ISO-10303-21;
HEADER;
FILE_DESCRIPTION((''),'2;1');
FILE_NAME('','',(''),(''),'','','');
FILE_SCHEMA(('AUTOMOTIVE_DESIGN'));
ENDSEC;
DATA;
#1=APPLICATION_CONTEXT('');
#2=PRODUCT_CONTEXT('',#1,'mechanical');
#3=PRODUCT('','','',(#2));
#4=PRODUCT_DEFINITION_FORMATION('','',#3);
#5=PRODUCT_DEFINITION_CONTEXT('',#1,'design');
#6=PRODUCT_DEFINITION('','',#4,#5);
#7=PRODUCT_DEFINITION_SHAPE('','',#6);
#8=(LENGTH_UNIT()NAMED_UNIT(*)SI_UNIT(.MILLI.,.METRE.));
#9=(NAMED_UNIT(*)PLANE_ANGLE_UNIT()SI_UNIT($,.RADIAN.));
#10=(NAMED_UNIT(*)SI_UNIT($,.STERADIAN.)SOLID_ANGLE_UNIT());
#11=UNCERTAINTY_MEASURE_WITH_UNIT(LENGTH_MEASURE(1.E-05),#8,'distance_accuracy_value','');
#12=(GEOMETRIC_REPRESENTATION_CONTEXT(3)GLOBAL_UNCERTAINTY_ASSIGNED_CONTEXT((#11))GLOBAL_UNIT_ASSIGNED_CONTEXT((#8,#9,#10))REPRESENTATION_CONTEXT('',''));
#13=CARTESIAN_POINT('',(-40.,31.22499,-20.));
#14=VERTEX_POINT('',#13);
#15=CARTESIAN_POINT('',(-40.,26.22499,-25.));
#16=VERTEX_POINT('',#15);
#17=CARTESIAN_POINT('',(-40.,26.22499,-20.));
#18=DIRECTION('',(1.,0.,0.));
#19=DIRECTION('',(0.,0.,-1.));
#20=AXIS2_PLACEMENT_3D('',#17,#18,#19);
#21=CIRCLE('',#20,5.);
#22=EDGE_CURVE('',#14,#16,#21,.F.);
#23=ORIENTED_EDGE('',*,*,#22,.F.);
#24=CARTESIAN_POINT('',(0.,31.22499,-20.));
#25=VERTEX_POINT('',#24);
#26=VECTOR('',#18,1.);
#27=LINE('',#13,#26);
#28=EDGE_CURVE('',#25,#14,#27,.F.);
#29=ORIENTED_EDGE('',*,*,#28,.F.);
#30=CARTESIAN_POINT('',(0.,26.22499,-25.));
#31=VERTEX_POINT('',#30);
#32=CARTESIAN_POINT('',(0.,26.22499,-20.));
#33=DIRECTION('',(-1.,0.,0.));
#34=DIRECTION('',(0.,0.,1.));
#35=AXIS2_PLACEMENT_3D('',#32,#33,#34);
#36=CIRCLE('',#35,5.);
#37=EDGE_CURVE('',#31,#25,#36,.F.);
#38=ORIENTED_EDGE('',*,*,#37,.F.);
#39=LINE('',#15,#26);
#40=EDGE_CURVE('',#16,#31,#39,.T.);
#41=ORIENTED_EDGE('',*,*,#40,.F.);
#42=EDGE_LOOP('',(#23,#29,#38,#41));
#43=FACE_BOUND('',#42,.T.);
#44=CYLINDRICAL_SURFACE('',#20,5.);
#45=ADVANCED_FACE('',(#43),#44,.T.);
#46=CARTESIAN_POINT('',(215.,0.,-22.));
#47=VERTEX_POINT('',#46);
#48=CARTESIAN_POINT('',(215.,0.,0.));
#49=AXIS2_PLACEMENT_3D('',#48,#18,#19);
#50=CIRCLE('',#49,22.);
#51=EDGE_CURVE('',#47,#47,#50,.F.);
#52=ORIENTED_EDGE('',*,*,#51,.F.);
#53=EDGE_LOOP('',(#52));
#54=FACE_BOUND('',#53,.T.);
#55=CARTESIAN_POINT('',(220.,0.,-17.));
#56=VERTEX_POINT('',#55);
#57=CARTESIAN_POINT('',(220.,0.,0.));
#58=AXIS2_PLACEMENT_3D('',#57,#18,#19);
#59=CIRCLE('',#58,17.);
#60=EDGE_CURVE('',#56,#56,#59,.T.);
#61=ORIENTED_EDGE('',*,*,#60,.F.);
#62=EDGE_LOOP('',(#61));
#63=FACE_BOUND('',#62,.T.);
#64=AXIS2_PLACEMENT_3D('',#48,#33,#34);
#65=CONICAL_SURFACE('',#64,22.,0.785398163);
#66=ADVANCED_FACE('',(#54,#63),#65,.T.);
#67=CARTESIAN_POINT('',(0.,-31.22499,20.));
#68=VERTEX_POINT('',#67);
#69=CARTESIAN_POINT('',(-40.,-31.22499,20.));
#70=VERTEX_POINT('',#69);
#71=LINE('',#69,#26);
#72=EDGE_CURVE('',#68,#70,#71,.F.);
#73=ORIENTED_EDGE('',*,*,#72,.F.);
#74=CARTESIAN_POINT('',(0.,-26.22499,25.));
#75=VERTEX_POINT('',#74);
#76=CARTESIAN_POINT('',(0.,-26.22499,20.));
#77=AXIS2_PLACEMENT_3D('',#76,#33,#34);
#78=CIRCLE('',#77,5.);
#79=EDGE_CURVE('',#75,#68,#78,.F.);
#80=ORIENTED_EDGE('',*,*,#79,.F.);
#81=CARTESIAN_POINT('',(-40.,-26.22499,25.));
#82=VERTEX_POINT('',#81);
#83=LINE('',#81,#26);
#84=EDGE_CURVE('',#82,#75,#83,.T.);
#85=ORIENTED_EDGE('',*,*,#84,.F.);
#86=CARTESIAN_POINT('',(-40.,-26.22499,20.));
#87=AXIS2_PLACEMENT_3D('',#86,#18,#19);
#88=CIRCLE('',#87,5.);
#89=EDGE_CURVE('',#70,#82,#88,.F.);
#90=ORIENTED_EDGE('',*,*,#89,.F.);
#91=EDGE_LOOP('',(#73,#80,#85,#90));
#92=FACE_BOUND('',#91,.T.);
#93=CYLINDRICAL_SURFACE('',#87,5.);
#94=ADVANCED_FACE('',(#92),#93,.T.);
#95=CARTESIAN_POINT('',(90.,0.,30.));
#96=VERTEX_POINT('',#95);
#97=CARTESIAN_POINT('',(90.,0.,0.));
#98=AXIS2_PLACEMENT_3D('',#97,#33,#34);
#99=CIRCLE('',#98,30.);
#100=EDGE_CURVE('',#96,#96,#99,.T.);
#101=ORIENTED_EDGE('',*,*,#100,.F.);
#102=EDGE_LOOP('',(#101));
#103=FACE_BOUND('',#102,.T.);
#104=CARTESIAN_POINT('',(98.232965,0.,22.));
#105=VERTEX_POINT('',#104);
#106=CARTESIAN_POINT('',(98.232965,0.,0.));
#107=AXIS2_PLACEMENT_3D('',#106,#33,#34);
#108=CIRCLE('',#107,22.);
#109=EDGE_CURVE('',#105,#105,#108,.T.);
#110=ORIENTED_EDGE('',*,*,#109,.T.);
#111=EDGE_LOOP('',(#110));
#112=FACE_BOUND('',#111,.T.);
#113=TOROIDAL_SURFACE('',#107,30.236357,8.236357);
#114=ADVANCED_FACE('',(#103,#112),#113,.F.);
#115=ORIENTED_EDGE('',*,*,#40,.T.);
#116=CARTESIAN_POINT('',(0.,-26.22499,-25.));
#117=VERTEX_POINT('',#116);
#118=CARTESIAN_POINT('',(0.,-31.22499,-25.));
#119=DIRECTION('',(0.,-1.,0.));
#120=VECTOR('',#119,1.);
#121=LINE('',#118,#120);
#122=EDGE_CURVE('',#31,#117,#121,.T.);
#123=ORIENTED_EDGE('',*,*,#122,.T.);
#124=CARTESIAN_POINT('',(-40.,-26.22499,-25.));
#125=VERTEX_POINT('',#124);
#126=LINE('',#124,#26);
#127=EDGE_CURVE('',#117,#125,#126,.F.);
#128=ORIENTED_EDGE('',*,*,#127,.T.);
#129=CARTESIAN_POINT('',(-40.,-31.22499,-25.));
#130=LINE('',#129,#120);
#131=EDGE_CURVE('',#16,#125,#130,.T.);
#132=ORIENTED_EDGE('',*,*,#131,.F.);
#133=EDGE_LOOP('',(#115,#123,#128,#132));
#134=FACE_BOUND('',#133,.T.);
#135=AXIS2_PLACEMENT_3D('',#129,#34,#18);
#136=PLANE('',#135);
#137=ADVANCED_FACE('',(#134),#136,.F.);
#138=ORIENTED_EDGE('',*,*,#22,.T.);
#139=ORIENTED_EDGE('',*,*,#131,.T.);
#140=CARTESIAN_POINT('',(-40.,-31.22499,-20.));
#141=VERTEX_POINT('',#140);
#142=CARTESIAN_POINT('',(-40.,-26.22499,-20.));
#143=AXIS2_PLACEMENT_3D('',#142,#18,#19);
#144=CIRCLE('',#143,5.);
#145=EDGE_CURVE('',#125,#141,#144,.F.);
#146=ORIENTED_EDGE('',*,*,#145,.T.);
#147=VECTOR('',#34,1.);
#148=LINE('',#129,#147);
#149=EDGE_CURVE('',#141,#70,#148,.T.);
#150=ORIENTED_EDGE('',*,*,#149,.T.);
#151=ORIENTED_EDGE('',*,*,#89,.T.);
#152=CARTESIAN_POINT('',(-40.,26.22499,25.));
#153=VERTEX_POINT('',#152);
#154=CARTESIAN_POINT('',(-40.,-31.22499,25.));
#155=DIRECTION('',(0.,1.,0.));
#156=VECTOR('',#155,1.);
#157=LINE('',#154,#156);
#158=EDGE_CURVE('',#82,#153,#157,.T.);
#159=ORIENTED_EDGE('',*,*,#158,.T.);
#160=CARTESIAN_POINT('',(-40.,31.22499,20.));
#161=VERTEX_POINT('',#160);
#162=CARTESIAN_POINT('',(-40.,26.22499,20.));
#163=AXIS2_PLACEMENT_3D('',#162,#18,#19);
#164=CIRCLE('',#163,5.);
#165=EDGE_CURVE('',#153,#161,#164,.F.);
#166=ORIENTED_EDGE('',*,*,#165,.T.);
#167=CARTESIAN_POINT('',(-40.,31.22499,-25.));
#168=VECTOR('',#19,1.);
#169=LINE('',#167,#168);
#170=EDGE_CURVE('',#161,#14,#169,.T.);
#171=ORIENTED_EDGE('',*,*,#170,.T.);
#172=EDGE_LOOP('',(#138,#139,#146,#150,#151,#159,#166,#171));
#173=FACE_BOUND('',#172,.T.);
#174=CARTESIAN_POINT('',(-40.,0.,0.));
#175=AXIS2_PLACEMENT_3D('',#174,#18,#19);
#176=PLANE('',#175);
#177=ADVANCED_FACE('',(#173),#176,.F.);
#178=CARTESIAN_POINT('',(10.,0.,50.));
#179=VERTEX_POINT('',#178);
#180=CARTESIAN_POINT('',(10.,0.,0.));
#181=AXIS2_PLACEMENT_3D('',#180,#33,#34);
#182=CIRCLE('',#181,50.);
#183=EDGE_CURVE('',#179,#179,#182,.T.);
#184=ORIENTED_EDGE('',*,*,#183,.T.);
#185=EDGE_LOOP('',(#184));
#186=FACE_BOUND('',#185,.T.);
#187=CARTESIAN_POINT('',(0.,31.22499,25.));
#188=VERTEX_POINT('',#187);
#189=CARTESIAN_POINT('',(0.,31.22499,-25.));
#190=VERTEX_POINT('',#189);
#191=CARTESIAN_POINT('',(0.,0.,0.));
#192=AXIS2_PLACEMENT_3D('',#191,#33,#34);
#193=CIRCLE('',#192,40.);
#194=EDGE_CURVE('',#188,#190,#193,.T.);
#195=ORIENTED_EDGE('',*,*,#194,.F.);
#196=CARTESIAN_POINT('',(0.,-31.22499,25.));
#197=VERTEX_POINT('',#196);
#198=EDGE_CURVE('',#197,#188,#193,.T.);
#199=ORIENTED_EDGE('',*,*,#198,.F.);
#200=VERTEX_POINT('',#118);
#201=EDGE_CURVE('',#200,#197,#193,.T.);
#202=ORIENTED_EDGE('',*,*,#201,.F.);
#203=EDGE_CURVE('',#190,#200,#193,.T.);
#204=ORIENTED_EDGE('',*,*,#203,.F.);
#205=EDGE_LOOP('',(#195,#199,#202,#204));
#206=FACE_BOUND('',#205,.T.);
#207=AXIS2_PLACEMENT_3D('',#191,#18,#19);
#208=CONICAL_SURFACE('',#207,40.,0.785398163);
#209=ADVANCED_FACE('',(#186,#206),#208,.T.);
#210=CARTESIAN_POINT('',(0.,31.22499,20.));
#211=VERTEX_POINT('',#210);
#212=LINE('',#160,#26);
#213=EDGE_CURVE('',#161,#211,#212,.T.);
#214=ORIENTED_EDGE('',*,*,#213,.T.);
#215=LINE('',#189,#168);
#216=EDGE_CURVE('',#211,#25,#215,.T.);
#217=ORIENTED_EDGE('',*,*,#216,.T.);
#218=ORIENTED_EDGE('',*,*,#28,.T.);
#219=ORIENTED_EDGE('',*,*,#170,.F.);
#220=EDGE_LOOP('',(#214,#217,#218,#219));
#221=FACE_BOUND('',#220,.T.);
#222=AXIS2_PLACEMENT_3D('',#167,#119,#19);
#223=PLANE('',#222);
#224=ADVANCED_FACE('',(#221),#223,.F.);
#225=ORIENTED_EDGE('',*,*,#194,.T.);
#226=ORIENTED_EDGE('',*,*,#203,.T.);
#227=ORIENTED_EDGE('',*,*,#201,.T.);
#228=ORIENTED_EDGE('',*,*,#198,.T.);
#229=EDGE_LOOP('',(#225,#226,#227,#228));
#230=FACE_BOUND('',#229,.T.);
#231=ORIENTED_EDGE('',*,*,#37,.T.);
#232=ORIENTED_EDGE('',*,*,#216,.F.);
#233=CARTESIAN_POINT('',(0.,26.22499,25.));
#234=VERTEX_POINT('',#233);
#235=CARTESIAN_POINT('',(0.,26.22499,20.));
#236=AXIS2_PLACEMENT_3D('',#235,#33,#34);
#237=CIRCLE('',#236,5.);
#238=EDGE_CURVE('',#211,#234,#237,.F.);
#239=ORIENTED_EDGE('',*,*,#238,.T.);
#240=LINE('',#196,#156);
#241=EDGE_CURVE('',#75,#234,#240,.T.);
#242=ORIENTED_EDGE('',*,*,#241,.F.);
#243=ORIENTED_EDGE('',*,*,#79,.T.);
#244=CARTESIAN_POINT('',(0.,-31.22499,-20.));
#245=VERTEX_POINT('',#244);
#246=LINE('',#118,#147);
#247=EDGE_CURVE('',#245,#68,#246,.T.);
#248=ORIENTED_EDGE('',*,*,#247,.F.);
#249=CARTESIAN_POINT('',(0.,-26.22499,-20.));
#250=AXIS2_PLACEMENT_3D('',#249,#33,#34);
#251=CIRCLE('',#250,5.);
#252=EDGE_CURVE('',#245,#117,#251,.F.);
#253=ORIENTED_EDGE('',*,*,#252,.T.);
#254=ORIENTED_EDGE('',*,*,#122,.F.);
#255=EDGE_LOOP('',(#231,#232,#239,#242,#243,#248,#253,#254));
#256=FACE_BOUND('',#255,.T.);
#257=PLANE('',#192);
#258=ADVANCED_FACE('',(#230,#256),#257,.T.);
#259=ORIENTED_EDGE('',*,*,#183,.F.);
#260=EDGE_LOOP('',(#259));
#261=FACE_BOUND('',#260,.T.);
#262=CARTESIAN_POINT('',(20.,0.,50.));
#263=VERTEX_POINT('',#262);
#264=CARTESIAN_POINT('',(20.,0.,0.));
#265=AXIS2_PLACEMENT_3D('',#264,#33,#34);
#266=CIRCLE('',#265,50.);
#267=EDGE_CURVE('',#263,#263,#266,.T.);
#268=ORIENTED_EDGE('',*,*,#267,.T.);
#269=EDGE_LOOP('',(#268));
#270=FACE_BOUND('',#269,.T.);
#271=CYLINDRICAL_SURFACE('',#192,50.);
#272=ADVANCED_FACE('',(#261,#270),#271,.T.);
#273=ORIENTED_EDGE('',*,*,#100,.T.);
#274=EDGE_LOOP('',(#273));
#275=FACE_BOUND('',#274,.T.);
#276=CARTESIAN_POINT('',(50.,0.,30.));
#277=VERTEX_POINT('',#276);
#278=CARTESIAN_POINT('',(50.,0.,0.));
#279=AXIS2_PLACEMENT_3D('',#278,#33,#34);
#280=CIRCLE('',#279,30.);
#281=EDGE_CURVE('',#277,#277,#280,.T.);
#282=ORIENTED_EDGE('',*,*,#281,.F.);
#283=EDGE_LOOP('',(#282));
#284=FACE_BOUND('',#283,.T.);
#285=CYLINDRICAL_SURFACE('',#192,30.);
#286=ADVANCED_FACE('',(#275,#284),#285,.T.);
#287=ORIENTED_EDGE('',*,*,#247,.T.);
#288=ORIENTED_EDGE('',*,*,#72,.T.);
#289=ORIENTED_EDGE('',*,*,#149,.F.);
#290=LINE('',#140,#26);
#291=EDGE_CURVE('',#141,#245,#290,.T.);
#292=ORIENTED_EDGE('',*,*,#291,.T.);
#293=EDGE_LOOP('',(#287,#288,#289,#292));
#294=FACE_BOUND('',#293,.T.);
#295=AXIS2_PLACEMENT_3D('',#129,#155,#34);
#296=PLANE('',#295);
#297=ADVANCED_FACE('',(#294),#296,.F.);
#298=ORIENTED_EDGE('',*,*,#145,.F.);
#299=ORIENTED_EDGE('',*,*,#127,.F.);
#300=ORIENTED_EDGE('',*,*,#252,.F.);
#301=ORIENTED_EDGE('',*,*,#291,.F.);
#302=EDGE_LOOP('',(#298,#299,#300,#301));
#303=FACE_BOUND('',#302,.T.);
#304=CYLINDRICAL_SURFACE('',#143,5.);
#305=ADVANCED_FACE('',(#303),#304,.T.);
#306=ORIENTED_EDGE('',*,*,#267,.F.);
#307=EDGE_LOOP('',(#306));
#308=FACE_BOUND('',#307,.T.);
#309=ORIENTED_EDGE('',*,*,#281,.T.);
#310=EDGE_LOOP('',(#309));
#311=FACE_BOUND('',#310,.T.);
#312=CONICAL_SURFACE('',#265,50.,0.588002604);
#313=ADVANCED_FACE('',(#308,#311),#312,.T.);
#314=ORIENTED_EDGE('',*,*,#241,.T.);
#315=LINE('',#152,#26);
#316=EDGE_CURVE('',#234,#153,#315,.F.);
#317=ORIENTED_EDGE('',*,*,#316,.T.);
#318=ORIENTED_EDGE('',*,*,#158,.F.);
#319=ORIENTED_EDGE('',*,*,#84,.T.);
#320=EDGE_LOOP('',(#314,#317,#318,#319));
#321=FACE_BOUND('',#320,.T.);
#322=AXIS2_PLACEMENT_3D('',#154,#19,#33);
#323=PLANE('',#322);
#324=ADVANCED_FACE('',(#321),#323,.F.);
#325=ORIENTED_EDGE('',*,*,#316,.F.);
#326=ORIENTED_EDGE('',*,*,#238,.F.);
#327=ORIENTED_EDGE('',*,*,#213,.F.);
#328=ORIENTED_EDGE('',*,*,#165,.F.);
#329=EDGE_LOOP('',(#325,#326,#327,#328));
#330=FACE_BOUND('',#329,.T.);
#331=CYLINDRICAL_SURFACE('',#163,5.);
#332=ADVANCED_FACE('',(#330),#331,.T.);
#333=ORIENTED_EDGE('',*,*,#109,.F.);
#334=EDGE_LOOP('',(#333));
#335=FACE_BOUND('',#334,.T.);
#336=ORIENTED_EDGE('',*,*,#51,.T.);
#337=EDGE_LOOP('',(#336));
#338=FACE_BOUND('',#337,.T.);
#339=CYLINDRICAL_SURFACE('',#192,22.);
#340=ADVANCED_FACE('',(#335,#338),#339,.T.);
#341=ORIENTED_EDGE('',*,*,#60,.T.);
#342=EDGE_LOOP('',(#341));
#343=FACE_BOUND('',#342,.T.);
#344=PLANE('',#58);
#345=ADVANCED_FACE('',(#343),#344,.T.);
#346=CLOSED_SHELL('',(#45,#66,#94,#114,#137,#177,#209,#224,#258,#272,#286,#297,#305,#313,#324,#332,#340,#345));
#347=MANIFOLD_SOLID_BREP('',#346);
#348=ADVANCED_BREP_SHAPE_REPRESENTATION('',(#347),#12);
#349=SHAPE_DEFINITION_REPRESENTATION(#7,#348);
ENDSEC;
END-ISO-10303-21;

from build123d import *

# Parameters (mm, degrees)
SKETCH1_W           = 10
SKETCH1_H           = 50
SKETCH1_W_2         = 40
SKETCH1_H_2         = 30
SKETCH1_W_3         = 121.767034814
SKETCH1_H_3         = 22
SKETCH2_W           = 50
SKETCH2_H           = 62.449979984
BOSS_EXTRUDE1_DEPTH = 40
FILLET2_R           = 5
FILLET3_R           = 5
CHAMFER1_SIZE       = 5


with BuildPart() as part:
    # Sketch1 → Revolve1 (revolve)
    with BuildSketch(Plane.XY, mode=Mode.PRIVATE) as revolve1_sk:
        Polygon((10, 0), (0, 0), (0, -40), (10, -50), align=None)
        with Locations((15, -25)):
            Rectangle(SKETCH1_W, SKETCH1_H)
        Polygon((50, 0), (20, 0), (20, -50), (50, -30), align=None)
        with Locations((70, -15)):
            Rectangle(SKETCH1_W_2, SKETCH1_H_2)
        with BuildLine():
            Line((98.232965186, 0), (90, 0))
            Line((90, 0), (90, -30))
            ThreePointArc((90, -30), (92.493154306, -24.329399341), (98.232965186, -22))
            Line((98.232965186, -22), (98.232965186, 0))
        make_face()
        with Locations((159.116482593, -11)):
            Rectangle(SKETCH1_W_3, SKETCH1_H_3)
    revolve(revolve1_sk.sketch.rotate(Axis((0, 0, 0), (1, 0, 0)), 270), axis=Axis((0, 0, 0), (1, 0, 0)))

    # Sketch2 → Boss-Extrude1 (add)
    with BuildSketch(Plane.ZY):
        Rectangle(SKETCH2_W, SKETCH2_H)
    extrude(amount=BOSS_EXTRUDE1_DEPTH)

    # Fillet2
    fillet2_edges = [part.edges().sort_by_distance(p)[0] for p in [
        (-20, 31.224989992, 25),
    ]]
    fillet(fillet2_edges, radius=FILLET2_R)

    # Fillet3
    fillet3_edges = [part.edges().sort_by_distance(p)[0] for p in [
        (-20, -31.224989992, 25),
        (-20, 31.224989992, -25),
        (-20, -31.224989992, -25),
    ]]
    fillet(fillet3_edges, radius=FILLET3_R)

    # Chamfer1
    chamfer1_edges = [part.edges().sort_by_distance(p)[0] for p in [
        (220, 0, -22),
    ]]
    chamfer(chamfer1_edges, length=CHAMFER1_SIZE)


solid = part.part
